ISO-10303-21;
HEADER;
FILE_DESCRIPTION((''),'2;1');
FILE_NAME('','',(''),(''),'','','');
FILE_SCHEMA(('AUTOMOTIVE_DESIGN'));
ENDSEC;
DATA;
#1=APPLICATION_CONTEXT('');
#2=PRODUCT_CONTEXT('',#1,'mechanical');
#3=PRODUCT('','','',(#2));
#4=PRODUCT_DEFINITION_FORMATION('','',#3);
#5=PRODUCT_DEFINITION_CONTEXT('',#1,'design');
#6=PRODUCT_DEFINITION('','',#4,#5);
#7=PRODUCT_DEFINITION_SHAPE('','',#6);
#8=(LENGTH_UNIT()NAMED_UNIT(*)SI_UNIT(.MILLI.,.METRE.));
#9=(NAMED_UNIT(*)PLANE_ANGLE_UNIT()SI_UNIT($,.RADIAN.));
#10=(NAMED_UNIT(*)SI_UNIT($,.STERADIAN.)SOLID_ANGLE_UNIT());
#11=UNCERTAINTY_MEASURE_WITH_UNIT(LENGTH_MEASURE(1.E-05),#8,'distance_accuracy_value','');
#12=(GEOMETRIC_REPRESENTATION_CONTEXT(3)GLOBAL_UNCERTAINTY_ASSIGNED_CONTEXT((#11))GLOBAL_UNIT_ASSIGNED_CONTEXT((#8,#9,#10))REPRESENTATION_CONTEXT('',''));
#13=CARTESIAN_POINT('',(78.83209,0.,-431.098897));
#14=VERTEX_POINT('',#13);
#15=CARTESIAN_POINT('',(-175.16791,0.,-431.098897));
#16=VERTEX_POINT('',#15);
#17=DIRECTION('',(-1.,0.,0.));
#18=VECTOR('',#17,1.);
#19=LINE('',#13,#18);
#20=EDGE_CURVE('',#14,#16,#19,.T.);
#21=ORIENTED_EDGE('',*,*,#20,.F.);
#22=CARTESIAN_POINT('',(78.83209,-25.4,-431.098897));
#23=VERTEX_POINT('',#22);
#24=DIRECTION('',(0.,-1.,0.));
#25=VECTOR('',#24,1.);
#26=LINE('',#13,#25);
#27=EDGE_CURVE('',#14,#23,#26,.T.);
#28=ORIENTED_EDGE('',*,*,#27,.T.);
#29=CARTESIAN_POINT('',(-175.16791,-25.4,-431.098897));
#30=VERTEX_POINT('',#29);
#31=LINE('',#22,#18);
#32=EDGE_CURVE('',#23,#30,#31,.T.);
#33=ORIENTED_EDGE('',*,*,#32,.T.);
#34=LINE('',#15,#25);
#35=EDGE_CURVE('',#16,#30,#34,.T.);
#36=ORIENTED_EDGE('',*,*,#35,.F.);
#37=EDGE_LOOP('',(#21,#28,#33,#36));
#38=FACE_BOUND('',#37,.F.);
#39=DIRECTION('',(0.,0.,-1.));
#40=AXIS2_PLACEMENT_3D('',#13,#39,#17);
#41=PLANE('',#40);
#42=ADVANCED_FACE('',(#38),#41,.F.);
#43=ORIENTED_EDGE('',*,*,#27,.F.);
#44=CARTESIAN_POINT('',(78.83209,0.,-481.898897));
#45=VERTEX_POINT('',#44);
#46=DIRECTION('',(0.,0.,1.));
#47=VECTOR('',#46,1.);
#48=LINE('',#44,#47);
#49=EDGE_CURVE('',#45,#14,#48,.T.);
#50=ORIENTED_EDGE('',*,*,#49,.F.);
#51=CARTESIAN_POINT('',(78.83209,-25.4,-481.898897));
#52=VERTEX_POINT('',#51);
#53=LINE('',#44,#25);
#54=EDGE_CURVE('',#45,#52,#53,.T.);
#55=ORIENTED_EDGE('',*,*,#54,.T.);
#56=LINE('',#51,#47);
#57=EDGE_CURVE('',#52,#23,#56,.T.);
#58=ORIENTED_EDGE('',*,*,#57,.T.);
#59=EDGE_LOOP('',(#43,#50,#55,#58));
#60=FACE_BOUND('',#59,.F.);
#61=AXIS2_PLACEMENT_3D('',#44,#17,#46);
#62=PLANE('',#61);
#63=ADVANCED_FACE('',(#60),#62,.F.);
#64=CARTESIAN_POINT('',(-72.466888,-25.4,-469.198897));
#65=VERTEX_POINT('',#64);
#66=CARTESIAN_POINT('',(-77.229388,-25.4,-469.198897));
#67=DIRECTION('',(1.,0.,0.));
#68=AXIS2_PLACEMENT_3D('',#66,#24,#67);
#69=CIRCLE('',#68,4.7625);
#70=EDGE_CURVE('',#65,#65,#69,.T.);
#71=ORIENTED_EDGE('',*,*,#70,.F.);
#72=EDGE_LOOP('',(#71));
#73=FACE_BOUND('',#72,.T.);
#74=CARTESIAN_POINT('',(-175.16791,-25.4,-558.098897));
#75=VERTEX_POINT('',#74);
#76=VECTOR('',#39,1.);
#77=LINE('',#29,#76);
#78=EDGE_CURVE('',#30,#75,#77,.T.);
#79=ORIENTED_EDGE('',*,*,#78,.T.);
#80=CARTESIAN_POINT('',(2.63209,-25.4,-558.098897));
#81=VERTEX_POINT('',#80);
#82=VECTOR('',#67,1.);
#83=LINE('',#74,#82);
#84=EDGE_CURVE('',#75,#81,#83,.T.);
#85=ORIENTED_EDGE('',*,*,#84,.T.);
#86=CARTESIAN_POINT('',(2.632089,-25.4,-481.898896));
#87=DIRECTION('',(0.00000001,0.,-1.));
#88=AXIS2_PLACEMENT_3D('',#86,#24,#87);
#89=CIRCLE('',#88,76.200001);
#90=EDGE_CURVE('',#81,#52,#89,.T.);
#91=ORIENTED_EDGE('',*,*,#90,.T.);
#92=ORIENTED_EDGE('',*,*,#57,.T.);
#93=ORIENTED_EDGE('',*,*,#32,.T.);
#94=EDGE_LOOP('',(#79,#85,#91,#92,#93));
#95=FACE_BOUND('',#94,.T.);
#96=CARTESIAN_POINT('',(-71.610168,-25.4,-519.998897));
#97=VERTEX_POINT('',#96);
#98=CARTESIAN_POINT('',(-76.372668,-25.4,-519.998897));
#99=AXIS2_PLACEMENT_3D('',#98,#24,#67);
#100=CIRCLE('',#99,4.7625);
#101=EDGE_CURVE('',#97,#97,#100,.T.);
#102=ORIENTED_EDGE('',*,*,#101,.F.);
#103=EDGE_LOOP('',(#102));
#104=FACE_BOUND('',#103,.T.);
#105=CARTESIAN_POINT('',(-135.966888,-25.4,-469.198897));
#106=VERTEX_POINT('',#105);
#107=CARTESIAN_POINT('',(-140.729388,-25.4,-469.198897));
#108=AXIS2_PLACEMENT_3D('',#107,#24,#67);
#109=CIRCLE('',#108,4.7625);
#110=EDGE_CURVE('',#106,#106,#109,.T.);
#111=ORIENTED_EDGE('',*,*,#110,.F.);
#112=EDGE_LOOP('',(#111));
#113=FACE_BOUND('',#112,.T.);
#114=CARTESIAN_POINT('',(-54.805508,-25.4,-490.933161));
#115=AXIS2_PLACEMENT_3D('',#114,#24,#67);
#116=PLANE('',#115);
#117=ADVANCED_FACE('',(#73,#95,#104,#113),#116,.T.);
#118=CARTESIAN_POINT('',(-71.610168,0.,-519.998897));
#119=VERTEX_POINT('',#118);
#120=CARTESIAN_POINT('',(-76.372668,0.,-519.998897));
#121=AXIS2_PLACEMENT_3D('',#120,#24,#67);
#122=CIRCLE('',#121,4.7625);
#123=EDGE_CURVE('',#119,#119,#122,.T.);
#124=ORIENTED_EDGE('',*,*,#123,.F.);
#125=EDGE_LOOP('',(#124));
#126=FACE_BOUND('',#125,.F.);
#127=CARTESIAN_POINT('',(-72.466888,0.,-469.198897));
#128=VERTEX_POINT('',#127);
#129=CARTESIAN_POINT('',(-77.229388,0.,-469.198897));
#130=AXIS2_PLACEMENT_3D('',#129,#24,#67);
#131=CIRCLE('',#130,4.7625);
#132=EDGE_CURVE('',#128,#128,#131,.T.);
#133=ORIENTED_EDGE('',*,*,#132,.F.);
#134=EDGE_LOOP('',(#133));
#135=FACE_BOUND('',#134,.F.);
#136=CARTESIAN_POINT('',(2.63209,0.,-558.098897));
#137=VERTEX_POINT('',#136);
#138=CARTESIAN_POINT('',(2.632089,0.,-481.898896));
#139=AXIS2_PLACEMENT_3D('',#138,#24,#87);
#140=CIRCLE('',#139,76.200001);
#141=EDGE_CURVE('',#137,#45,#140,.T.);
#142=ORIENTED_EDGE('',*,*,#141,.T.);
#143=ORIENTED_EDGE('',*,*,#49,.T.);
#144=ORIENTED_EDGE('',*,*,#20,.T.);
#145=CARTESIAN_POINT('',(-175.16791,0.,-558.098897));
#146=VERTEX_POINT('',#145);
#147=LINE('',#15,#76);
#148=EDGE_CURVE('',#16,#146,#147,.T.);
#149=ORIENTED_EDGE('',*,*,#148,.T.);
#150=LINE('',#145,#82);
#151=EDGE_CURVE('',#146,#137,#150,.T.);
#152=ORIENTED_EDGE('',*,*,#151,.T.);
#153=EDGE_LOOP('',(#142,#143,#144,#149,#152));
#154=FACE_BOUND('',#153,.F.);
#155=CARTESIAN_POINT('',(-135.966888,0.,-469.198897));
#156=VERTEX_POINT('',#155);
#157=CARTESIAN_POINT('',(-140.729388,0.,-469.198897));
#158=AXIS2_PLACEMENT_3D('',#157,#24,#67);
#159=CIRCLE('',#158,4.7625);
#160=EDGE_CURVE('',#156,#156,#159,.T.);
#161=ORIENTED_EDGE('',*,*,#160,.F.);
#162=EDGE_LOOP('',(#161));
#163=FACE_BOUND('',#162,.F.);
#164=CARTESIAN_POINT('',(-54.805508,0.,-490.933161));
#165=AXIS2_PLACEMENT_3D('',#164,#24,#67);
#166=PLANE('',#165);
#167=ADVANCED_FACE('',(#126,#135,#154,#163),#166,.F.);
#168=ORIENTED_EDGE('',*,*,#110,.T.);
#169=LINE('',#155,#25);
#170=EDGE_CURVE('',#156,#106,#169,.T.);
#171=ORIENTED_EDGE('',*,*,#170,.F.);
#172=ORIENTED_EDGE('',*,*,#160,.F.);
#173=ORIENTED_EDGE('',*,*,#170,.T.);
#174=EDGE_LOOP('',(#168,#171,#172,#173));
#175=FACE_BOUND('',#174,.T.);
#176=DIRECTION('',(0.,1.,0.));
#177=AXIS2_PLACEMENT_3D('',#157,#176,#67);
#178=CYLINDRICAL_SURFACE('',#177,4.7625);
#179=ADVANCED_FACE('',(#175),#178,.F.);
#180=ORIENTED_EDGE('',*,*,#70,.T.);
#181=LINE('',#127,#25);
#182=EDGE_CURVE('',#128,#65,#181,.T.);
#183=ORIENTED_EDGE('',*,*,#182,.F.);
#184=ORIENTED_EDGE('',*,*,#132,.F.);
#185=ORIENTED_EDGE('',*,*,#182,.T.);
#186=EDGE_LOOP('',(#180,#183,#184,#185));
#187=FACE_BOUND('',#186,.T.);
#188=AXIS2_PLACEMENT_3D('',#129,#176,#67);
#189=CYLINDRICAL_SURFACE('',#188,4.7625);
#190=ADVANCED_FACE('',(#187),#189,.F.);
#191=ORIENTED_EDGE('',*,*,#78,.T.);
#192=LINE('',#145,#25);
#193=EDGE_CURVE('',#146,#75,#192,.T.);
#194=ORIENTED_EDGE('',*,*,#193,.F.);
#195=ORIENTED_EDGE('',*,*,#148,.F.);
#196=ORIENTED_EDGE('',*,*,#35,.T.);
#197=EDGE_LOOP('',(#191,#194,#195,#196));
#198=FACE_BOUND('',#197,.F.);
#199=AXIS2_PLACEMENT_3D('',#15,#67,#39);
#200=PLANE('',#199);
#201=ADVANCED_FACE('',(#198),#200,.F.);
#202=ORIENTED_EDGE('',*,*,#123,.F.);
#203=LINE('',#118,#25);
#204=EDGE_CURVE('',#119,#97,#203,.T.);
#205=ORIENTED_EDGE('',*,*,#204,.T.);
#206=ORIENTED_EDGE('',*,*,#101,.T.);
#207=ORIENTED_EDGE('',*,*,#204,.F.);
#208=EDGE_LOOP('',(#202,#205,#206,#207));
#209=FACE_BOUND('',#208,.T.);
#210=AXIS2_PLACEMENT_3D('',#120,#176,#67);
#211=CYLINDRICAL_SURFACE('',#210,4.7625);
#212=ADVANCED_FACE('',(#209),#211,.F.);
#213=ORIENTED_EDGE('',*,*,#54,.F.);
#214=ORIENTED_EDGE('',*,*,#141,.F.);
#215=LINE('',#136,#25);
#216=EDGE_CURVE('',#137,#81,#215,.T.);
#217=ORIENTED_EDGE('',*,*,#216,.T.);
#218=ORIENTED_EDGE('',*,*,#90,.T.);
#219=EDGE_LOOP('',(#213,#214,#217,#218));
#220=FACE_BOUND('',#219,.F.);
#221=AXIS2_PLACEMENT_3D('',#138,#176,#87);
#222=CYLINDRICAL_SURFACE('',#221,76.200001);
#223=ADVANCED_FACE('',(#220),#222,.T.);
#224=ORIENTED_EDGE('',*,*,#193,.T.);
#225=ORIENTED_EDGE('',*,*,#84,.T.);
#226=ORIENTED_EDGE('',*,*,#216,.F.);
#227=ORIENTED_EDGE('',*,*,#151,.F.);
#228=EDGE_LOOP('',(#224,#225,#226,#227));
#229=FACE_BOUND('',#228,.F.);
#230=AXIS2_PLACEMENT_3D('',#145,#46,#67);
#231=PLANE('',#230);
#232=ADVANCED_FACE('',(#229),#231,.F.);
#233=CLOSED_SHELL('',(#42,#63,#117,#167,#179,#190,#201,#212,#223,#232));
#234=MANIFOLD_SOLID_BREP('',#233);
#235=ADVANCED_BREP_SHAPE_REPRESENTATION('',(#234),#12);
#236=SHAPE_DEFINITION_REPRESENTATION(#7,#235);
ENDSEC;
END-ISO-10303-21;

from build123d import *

# Parameters (mm, degrees)
F0_R     = 4.7625
F1_DEPTH = 25.4


with BuildPart() as f1:
    # F0 (on Front) → F1 (new body)
    with BuildSketch(Plane.XZ):
        with BuildLine():
            Line((78.83209, -431.098897), (-175.16791, -431.098897))
            Line((-175.16791, -431.098897), (-175.16791, -558.098897))
            Line((-175.16791, -558.098897), (2.63209, -558.098897))
            ThreePointArc((2.63209, -558.098897), (56.513626, -535.780434), (78.83209, -481.898897))
            Line((78.83209, -481.898897), (78.83209, -431.098897))
        make_face()
        with Locations((-76.372668, -519.998897)):
            Circle(F0_R, mode=Mode.SUBTRACT)
        with Locations((-140.729388, -469.198897)):
            Circle(F0_R, mode=Mode.SUBTRACT)
        with Locations((-77.229388, -469.198897)):
            Circle(F0_R, mode=Mode.SUBTRACT)
    extrude(amount=F1_DEPTH)


solid = f1.part
